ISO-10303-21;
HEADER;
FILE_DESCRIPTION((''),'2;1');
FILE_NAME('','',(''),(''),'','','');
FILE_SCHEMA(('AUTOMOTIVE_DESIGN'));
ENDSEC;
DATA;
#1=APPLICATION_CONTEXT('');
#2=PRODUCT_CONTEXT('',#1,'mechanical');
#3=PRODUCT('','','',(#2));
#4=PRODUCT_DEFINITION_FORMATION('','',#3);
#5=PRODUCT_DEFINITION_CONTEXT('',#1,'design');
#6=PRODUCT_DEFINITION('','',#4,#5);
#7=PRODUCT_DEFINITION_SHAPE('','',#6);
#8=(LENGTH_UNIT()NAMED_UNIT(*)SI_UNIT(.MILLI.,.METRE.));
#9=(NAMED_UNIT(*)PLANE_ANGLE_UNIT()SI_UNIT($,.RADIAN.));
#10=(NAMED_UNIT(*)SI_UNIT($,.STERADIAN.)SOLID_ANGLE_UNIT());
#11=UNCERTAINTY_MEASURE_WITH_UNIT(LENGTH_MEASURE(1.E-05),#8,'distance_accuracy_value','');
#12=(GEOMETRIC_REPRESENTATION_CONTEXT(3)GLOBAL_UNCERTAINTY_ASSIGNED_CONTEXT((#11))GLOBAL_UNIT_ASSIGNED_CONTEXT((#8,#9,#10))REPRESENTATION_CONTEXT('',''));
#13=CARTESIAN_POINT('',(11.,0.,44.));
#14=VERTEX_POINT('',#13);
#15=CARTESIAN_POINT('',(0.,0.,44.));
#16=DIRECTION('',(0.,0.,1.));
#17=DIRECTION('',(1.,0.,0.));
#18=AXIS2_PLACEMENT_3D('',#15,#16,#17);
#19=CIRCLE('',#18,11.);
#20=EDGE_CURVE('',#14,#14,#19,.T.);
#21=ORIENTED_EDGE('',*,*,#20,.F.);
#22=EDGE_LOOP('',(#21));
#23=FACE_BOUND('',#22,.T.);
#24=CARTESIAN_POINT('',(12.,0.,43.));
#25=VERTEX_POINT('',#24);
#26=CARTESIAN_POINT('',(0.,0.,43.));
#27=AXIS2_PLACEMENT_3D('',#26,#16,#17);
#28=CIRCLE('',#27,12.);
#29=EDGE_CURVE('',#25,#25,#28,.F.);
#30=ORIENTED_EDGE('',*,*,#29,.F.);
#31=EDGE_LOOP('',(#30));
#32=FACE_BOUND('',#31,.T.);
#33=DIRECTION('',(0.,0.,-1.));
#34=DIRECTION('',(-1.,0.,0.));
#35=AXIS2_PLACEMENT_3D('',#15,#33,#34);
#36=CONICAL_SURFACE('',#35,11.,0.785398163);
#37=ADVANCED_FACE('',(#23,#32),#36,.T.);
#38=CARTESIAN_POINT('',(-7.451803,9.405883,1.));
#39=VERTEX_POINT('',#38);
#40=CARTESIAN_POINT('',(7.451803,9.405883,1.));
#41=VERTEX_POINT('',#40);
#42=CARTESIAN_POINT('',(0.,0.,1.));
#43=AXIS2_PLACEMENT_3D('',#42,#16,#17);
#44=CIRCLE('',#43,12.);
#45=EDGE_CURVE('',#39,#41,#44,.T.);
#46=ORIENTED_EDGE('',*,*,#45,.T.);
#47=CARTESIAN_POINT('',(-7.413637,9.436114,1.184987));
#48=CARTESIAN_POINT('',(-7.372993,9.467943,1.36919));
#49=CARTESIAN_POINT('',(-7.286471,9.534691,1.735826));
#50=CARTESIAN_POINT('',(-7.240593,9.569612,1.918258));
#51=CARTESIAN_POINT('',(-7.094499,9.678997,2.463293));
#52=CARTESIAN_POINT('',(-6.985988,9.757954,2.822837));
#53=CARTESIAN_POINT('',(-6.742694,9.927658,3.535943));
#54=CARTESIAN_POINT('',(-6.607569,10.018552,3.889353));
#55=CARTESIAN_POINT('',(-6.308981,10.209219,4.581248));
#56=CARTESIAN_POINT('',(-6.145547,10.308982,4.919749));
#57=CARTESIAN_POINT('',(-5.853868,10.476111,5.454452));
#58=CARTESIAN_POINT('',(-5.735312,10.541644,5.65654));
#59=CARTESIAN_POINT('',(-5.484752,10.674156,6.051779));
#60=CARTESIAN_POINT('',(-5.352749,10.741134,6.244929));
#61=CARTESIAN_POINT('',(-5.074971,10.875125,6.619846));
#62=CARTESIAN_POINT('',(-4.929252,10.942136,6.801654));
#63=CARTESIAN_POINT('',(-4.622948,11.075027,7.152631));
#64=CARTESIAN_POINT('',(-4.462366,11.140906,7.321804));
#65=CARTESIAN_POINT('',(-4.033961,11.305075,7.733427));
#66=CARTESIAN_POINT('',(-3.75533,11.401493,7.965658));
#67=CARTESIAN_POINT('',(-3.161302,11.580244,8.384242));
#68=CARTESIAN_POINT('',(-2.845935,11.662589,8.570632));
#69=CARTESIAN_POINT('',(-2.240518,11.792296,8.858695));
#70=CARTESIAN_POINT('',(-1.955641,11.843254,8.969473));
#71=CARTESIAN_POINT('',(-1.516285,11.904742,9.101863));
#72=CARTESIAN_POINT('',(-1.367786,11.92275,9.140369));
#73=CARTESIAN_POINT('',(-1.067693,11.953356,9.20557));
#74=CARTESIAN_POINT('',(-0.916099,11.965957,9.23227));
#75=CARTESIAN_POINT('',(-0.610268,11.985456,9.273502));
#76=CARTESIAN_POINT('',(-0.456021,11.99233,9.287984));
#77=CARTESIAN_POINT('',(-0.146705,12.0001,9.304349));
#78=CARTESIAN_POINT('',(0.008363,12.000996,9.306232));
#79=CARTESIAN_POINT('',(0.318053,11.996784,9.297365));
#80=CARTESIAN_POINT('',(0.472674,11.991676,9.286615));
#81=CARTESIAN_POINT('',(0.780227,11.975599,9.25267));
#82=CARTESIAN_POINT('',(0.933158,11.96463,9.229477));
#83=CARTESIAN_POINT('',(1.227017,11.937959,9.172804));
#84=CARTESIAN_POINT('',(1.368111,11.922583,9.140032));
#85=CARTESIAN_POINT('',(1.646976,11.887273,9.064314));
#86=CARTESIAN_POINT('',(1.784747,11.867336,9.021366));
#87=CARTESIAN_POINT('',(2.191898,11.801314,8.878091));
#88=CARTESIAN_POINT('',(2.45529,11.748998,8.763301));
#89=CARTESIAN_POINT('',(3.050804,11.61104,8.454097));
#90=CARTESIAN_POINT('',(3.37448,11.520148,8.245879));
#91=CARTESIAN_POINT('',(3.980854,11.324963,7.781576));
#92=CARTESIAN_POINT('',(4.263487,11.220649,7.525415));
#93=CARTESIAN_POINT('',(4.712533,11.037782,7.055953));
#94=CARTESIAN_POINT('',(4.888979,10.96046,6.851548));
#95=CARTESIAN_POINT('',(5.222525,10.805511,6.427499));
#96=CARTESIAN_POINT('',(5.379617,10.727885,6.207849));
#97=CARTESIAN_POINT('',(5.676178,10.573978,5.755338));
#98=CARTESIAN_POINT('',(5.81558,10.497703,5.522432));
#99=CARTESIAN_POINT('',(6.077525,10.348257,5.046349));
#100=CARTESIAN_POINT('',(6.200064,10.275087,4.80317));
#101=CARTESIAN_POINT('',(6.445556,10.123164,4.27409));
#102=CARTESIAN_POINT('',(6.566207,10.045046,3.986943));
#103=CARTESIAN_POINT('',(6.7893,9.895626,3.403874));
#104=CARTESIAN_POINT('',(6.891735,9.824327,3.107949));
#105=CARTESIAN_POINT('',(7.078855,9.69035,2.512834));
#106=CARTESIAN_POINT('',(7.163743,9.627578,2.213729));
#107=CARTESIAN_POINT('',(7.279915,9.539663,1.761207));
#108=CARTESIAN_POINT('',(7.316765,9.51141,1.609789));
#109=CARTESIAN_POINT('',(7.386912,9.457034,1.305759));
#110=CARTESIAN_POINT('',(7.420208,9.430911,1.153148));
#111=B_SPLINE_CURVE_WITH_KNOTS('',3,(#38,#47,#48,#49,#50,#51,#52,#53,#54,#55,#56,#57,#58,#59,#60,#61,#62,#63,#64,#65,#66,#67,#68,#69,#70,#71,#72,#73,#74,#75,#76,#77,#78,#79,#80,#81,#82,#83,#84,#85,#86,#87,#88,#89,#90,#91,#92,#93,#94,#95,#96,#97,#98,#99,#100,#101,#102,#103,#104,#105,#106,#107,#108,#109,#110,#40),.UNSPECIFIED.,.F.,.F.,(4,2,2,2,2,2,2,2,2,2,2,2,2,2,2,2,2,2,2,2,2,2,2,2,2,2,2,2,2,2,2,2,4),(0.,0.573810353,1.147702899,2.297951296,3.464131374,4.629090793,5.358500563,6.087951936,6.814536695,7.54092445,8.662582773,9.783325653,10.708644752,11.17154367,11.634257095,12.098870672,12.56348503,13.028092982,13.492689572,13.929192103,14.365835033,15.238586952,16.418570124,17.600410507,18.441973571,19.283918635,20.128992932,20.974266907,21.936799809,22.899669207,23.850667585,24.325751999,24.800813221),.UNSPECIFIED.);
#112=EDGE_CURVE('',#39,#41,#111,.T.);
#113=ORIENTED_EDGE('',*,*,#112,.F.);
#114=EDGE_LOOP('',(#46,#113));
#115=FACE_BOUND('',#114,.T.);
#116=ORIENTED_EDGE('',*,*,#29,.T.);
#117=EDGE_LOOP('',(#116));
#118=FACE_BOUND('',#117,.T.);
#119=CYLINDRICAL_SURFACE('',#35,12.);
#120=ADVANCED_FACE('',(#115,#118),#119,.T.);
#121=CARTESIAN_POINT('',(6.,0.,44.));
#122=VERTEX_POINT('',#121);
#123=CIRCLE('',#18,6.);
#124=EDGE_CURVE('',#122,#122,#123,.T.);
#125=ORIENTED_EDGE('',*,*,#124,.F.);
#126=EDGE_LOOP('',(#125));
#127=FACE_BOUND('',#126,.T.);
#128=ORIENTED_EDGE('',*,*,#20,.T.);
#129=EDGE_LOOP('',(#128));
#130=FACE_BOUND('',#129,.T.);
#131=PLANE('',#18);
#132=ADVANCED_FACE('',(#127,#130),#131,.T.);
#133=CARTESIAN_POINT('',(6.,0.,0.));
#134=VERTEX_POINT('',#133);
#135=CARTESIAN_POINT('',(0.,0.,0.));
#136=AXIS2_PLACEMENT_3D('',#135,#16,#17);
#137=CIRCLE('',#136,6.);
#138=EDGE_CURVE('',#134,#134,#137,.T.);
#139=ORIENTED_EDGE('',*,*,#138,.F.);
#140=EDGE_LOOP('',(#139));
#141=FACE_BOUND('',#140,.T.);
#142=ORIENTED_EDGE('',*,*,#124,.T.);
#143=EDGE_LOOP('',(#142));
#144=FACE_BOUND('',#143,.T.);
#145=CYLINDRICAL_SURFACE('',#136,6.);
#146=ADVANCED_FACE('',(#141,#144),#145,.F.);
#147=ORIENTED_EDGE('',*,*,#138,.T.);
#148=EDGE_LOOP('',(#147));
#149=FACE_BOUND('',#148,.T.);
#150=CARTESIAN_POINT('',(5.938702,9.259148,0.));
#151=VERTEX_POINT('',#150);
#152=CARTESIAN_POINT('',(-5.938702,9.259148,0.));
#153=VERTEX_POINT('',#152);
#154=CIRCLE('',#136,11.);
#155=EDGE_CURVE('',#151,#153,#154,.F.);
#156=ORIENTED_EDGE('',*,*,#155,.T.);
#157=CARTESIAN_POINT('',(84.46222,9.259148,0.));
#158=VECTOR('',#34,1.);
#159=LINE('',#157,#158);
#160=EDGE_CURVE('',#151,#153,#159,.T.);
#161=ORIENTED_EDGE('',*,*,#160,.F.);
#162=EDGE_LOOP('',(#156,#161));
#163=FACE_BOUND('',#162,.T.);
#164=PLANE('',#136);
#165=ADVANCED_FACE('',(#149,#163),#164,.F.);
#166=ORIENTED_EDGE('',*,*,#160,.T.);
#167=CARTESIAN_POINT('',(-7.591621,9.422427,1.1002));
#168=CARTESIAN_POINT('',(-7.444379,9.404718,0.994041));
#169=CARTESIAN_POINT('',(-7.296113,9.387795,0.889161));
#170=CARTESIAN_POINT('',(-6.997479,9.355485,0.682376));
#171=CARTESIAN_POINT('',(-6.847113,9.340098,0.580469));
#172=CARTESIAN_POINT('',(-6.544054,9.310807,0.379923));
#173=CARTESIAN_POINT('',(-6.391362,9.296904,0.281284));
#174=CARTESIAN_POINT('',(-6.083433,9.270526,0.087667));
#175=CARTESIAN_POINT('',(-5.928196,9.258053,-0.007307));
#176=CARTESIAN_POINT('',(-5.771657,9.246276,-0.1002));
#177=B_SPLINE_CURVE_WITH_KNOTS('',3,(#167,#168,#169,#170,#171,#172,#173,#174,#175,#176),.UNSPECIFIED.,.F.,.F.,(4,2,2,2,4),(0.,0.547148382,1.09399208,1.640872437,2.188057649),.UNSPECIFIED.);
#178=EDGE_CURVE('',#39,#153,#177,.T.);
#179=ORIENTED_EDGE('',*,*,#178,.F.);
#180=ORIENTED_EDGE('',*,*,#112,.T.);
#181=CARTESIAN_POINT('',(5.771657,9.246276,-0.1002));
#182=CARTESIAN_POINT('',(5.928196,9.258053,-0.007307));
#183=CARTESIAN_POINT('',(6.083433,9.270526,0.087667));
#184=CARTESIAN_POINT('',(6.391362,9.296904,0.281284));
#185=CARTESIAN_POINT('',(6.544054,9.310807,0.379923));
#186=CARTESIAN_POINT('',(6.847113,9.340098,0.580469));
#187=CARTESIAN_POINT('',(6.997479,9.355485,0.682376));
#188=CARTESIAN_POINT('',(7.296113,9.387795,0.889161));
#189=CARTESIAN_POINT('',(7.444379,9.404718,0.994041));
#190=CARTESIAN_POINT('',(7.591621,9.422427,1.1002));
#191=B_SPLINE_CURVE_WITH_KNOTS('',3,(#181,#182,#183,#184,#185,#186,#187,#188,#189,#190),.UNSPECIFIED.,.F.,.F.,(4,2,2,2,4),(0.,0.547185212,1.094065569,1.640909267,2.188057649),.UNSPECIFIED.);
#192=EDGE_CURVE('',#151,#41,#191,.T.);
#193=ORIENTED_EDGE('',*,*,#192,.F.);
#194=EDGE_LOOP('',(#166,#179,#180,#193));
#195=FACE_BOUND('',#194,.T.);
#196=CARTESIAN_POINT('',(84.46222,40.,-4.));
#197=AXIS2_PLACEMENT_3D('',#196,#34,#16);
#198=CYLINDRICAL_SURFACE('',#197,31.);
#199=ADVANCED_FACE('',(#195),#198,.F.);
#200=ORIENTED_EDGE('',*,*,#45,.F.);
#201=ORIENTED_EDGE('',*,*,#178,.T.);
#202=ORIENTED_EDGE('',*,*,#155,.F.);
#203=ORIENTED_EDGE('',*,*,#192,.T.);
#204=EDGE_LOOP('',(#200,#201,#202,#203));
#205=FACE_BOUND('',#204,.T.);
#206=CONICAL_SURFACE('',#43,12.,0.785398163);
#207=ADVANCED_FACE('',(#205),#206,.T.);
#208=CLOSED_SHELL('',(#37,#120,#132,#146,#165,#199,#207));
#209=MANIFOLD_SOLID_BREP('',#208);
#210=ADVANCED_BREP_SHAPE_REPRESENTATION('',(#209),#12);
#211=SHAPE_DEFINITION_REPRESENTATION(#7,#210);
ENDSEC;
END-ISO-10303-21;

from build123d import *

# Parameters (mm, degrees)
SKETCH_1_R               = 12
EXTRUDE_1_DEPTH          = 44
CUT_EXTRUDE_1_DEPTH      = 48.15930449
CUT_EXTRUDE_1_DEPTH_BACK = 48.15930449
SKETCH_2_R               = 6
CHAMFER_1_SIZE           = 1
CUT_EXTRUDE_2_DEPTH      = 48.15930449
CUT_EXTRUDE_2_DEPTH_BACK = 48.15930449


with BuildPart() as part:
    # 草图1 → 凸台-拉伸1 (new body)
    with BuildSketch(Plane.XY):
        Circle(SKETCH_1_R)
    extrude(amount=EXTRUDE_1_DEPTH)

    # 草图2 → 切除-拉伸1 (cut, two sides: drawn at the far end of the back side and taken through both)
    with BuildSketch(Plane.XY.offset(44).offset(-CUT_EXTRUDE_1_DEPTH_BACK)):
        Circle(SKETCH_2_R)
    extrude(amount=CUT_EXTRUDE_1_DEPTH + CUT_EXTRUDE_1_DEPTH_BACK, mode=Mode.SUBTRACT)

    # 倒角1
    chamfer_1_edges = [part.edges().sort_by_distance(p)[0] for p in [
        (-12, 0, 0),
        (-12, 0, 44),
    ]]
    chamfer(chamfer_1_edges, length=CHAMFER_1_SIZE)

    # 草图3 → 切除-拉伸2 (cut, two sides: drawn at the far end of the back side and taken through both)
    with BuildSketch(Plane(origin=(0, 0, 0), x_dir=(0, 0, -1), z_dir=(1, 0, 0)).offset(-CUT_EXTRUDE_2_DEPTH_BACK)):
        with BuildLine():
            Line((-62.986172875, 133.10063067), (-25.120459682, 29.369909319))
            ThreePointArc((-25.120459682, 29.369909319), (-14.752953683, 15.315455683), (1.566572924, 9.095656735))
            Line((1.566572924, 9.095656735), (111.651710823, 0.427484986))
            Line((111.651710823, 0.427484986), (245.252446132, 176.286356459))
            Line((245.252446132, 176.286356459), (70.614562433, 308.959502143))
            Line((70.614562433, 308.959502143), (-62.986172875, 133.10063067))
        make_face()
    extrude(amount=CUT_EXTRUDE_2_DEPTH + CUT_EXTRUDE_2_DEPTH_BACK, mode=Mode.SUBTRACT)


solid = part.part
